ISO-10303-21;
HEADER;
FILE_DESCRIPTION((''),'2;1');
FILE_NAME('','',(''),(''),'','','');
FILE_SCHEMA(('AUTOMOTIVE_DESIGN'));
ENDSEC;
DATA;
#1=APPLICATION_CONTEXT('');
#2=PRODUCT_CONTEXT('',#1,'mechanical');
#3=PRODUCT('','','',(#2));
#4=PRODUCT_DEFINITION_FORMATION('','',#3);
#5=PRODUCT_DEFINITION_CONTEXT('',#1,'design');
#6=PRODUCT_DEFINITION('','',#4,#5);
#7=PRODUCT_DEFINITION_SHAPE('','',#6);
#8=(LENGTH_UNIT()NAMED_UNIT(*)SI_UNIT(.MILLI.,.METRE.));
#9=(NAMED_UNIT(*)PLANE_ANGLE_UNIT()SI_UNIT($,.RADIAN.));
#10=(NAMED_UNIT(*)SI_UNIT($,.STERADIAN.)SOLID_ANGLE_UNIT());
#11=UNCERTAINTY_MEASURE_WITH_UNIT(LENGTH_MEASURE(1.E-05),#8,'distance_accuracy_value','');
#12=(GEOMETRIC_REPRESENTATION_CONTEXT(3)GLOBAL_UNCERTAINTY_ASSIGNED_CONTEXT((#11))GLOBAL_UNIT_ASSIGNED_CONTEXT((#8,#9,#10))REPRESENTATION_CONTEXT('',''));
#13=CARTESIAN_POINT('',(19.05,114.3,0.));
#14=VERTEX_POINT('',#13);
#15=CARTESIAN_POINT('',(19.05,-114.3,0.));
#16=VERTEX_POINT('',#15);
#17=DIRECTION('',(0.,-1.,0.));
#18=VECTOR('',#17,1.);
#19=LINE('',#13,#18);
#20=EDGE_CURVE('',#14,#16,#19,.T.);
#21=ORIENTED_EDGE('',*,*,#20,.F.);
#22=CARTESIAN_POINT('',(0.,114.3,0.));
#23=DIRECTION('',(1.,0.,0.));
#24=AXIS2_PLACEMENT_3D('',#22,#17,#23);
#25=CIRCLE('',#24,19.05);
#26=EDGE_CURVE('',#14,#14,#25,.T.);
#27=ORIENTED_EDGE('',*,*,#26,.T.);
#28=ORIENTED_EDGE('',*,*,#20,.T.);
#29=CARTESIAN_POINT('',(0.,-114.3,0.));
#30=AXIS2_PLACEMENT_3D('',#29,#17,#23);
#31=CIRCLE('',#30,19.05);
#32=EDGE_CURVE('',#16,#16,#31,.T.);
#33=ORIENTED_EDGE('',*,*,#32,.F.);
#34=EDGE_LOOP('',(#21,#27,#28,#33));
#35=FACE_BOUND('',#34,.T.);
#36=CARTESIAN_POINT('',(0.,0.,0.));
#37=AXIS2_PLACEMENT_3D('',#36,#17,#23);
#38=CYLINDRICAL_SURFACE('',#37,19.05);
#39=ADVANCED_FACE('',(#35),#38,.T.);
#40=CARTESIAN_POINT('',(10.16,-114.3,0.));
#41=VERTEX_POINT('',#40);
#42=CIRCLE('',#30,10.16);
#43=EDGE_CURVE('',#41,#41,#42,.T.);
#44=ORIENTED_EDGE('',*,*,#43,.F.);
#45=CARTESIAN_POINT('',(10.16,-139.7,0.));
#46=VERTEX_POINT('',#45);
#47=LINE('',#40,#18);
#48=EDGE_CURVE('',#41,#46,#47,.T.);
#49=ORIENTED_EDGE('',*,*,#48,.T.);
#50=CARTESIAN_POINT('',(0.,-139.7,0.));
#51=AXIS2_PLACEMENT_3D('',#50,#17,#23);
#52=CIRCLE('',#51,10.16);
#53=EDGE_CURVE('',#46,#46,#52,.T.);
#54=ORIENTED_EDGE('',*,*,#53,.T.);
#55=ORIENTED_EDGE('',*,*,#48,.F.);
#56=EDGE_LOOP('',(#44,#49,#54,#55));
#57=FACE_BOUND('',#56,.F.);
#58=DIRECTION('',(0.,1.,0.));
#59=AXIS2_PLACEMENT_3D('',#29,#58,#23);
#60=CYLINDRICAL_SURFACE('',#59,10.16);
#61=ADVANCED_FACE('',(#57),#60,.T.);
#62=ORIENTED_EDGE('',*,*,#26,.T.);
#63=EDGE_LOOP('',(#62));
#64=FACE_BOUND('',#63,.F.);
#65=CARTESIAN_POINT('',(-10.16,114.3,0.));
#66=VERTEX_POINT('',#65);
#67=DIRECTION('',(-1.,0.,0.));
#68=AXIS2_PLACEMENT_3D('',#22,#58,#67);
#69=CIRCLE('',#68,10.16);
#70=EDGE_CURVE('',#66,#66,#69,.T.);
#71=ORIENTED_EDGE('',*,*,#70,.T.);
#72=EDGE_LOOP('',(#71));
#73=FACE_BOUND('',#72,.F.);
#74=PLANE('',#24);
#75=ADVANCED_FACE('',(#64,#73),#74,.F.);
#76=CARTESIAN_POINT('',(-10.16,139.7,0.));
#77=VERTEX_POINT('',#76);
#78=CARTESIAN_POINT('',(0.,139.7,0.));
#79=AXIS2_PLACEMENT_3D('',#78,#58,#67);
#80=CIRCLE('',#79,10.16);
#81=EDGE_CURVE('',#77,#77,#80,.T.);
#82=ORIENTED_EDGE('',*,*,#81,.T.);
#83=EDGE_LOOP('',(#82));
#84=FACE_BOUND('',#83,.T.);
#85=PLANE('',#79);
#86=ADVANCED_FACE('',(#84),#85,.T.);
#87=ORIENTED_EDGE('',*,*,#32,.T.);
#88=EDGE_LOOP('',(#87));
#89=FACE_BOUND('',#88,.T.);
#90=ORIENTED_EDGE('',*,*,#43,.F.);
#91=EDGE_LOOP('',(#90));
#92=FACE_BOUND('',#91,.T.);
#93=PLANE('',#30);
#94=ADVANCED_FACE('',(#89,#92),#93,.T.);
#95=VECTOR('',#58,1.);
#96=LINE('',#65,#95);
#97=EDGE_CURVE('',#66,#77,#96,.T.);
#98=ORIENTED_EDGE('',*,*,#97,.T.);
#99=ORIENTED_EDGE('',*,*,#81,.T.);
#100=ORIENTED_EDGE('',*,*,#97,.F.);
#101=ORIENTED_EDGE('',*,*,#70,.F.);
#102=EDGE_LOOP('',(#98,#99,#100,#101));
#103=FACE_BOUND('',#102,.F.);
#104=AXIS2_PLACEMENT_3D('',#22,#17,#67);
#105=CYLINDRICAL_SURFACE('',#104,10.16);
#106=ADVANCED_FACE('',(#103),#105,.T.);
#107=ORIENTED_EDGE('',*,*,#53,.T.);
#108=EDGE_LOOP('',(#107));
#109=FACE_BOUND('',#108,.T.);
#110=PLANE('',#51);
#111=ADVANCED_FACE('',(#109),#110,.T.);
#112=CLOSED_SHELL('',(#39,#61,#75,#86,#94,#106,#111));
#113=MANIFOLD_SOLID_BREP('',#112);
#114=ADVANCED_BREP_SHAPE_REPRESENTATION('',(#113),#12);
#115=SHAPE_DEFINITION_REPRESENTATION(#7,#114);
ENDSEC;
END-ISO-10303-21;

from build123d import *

# Parameters (mm, degrees)
F0_R     = 19.05
F1_DEPTH = 114.3
F2_R     = 10.16
F3_DEPTH = 25.4
F4_R     = 10.16
F5_DEPTH = 25.4


with BuildPart() as f1:
    # F0 (on Front) → F1 (new body, symmetric)
    with BuildSketch(Plane.XZ):
        Circle(F0_R)
    extrude(amount=F1_DEPTH, both=True)

    # F2 (on face) → F3 (join)
    with BuildSketch(Plane(origin=(0, 114.3, 0), x_dir=(-1, 0, 0), z_dir=(0, 1, 0))):
        Circle(F2_R)
    extrude(amount=F3_DEPTH)

    # F4 (on face) → F5 (join)
    with BuildSketch(Plane.XZ.offset(114.3)):
        Circle(F4_R)
    extrude(amount=F5_DEPTH)


solid = f1.part
